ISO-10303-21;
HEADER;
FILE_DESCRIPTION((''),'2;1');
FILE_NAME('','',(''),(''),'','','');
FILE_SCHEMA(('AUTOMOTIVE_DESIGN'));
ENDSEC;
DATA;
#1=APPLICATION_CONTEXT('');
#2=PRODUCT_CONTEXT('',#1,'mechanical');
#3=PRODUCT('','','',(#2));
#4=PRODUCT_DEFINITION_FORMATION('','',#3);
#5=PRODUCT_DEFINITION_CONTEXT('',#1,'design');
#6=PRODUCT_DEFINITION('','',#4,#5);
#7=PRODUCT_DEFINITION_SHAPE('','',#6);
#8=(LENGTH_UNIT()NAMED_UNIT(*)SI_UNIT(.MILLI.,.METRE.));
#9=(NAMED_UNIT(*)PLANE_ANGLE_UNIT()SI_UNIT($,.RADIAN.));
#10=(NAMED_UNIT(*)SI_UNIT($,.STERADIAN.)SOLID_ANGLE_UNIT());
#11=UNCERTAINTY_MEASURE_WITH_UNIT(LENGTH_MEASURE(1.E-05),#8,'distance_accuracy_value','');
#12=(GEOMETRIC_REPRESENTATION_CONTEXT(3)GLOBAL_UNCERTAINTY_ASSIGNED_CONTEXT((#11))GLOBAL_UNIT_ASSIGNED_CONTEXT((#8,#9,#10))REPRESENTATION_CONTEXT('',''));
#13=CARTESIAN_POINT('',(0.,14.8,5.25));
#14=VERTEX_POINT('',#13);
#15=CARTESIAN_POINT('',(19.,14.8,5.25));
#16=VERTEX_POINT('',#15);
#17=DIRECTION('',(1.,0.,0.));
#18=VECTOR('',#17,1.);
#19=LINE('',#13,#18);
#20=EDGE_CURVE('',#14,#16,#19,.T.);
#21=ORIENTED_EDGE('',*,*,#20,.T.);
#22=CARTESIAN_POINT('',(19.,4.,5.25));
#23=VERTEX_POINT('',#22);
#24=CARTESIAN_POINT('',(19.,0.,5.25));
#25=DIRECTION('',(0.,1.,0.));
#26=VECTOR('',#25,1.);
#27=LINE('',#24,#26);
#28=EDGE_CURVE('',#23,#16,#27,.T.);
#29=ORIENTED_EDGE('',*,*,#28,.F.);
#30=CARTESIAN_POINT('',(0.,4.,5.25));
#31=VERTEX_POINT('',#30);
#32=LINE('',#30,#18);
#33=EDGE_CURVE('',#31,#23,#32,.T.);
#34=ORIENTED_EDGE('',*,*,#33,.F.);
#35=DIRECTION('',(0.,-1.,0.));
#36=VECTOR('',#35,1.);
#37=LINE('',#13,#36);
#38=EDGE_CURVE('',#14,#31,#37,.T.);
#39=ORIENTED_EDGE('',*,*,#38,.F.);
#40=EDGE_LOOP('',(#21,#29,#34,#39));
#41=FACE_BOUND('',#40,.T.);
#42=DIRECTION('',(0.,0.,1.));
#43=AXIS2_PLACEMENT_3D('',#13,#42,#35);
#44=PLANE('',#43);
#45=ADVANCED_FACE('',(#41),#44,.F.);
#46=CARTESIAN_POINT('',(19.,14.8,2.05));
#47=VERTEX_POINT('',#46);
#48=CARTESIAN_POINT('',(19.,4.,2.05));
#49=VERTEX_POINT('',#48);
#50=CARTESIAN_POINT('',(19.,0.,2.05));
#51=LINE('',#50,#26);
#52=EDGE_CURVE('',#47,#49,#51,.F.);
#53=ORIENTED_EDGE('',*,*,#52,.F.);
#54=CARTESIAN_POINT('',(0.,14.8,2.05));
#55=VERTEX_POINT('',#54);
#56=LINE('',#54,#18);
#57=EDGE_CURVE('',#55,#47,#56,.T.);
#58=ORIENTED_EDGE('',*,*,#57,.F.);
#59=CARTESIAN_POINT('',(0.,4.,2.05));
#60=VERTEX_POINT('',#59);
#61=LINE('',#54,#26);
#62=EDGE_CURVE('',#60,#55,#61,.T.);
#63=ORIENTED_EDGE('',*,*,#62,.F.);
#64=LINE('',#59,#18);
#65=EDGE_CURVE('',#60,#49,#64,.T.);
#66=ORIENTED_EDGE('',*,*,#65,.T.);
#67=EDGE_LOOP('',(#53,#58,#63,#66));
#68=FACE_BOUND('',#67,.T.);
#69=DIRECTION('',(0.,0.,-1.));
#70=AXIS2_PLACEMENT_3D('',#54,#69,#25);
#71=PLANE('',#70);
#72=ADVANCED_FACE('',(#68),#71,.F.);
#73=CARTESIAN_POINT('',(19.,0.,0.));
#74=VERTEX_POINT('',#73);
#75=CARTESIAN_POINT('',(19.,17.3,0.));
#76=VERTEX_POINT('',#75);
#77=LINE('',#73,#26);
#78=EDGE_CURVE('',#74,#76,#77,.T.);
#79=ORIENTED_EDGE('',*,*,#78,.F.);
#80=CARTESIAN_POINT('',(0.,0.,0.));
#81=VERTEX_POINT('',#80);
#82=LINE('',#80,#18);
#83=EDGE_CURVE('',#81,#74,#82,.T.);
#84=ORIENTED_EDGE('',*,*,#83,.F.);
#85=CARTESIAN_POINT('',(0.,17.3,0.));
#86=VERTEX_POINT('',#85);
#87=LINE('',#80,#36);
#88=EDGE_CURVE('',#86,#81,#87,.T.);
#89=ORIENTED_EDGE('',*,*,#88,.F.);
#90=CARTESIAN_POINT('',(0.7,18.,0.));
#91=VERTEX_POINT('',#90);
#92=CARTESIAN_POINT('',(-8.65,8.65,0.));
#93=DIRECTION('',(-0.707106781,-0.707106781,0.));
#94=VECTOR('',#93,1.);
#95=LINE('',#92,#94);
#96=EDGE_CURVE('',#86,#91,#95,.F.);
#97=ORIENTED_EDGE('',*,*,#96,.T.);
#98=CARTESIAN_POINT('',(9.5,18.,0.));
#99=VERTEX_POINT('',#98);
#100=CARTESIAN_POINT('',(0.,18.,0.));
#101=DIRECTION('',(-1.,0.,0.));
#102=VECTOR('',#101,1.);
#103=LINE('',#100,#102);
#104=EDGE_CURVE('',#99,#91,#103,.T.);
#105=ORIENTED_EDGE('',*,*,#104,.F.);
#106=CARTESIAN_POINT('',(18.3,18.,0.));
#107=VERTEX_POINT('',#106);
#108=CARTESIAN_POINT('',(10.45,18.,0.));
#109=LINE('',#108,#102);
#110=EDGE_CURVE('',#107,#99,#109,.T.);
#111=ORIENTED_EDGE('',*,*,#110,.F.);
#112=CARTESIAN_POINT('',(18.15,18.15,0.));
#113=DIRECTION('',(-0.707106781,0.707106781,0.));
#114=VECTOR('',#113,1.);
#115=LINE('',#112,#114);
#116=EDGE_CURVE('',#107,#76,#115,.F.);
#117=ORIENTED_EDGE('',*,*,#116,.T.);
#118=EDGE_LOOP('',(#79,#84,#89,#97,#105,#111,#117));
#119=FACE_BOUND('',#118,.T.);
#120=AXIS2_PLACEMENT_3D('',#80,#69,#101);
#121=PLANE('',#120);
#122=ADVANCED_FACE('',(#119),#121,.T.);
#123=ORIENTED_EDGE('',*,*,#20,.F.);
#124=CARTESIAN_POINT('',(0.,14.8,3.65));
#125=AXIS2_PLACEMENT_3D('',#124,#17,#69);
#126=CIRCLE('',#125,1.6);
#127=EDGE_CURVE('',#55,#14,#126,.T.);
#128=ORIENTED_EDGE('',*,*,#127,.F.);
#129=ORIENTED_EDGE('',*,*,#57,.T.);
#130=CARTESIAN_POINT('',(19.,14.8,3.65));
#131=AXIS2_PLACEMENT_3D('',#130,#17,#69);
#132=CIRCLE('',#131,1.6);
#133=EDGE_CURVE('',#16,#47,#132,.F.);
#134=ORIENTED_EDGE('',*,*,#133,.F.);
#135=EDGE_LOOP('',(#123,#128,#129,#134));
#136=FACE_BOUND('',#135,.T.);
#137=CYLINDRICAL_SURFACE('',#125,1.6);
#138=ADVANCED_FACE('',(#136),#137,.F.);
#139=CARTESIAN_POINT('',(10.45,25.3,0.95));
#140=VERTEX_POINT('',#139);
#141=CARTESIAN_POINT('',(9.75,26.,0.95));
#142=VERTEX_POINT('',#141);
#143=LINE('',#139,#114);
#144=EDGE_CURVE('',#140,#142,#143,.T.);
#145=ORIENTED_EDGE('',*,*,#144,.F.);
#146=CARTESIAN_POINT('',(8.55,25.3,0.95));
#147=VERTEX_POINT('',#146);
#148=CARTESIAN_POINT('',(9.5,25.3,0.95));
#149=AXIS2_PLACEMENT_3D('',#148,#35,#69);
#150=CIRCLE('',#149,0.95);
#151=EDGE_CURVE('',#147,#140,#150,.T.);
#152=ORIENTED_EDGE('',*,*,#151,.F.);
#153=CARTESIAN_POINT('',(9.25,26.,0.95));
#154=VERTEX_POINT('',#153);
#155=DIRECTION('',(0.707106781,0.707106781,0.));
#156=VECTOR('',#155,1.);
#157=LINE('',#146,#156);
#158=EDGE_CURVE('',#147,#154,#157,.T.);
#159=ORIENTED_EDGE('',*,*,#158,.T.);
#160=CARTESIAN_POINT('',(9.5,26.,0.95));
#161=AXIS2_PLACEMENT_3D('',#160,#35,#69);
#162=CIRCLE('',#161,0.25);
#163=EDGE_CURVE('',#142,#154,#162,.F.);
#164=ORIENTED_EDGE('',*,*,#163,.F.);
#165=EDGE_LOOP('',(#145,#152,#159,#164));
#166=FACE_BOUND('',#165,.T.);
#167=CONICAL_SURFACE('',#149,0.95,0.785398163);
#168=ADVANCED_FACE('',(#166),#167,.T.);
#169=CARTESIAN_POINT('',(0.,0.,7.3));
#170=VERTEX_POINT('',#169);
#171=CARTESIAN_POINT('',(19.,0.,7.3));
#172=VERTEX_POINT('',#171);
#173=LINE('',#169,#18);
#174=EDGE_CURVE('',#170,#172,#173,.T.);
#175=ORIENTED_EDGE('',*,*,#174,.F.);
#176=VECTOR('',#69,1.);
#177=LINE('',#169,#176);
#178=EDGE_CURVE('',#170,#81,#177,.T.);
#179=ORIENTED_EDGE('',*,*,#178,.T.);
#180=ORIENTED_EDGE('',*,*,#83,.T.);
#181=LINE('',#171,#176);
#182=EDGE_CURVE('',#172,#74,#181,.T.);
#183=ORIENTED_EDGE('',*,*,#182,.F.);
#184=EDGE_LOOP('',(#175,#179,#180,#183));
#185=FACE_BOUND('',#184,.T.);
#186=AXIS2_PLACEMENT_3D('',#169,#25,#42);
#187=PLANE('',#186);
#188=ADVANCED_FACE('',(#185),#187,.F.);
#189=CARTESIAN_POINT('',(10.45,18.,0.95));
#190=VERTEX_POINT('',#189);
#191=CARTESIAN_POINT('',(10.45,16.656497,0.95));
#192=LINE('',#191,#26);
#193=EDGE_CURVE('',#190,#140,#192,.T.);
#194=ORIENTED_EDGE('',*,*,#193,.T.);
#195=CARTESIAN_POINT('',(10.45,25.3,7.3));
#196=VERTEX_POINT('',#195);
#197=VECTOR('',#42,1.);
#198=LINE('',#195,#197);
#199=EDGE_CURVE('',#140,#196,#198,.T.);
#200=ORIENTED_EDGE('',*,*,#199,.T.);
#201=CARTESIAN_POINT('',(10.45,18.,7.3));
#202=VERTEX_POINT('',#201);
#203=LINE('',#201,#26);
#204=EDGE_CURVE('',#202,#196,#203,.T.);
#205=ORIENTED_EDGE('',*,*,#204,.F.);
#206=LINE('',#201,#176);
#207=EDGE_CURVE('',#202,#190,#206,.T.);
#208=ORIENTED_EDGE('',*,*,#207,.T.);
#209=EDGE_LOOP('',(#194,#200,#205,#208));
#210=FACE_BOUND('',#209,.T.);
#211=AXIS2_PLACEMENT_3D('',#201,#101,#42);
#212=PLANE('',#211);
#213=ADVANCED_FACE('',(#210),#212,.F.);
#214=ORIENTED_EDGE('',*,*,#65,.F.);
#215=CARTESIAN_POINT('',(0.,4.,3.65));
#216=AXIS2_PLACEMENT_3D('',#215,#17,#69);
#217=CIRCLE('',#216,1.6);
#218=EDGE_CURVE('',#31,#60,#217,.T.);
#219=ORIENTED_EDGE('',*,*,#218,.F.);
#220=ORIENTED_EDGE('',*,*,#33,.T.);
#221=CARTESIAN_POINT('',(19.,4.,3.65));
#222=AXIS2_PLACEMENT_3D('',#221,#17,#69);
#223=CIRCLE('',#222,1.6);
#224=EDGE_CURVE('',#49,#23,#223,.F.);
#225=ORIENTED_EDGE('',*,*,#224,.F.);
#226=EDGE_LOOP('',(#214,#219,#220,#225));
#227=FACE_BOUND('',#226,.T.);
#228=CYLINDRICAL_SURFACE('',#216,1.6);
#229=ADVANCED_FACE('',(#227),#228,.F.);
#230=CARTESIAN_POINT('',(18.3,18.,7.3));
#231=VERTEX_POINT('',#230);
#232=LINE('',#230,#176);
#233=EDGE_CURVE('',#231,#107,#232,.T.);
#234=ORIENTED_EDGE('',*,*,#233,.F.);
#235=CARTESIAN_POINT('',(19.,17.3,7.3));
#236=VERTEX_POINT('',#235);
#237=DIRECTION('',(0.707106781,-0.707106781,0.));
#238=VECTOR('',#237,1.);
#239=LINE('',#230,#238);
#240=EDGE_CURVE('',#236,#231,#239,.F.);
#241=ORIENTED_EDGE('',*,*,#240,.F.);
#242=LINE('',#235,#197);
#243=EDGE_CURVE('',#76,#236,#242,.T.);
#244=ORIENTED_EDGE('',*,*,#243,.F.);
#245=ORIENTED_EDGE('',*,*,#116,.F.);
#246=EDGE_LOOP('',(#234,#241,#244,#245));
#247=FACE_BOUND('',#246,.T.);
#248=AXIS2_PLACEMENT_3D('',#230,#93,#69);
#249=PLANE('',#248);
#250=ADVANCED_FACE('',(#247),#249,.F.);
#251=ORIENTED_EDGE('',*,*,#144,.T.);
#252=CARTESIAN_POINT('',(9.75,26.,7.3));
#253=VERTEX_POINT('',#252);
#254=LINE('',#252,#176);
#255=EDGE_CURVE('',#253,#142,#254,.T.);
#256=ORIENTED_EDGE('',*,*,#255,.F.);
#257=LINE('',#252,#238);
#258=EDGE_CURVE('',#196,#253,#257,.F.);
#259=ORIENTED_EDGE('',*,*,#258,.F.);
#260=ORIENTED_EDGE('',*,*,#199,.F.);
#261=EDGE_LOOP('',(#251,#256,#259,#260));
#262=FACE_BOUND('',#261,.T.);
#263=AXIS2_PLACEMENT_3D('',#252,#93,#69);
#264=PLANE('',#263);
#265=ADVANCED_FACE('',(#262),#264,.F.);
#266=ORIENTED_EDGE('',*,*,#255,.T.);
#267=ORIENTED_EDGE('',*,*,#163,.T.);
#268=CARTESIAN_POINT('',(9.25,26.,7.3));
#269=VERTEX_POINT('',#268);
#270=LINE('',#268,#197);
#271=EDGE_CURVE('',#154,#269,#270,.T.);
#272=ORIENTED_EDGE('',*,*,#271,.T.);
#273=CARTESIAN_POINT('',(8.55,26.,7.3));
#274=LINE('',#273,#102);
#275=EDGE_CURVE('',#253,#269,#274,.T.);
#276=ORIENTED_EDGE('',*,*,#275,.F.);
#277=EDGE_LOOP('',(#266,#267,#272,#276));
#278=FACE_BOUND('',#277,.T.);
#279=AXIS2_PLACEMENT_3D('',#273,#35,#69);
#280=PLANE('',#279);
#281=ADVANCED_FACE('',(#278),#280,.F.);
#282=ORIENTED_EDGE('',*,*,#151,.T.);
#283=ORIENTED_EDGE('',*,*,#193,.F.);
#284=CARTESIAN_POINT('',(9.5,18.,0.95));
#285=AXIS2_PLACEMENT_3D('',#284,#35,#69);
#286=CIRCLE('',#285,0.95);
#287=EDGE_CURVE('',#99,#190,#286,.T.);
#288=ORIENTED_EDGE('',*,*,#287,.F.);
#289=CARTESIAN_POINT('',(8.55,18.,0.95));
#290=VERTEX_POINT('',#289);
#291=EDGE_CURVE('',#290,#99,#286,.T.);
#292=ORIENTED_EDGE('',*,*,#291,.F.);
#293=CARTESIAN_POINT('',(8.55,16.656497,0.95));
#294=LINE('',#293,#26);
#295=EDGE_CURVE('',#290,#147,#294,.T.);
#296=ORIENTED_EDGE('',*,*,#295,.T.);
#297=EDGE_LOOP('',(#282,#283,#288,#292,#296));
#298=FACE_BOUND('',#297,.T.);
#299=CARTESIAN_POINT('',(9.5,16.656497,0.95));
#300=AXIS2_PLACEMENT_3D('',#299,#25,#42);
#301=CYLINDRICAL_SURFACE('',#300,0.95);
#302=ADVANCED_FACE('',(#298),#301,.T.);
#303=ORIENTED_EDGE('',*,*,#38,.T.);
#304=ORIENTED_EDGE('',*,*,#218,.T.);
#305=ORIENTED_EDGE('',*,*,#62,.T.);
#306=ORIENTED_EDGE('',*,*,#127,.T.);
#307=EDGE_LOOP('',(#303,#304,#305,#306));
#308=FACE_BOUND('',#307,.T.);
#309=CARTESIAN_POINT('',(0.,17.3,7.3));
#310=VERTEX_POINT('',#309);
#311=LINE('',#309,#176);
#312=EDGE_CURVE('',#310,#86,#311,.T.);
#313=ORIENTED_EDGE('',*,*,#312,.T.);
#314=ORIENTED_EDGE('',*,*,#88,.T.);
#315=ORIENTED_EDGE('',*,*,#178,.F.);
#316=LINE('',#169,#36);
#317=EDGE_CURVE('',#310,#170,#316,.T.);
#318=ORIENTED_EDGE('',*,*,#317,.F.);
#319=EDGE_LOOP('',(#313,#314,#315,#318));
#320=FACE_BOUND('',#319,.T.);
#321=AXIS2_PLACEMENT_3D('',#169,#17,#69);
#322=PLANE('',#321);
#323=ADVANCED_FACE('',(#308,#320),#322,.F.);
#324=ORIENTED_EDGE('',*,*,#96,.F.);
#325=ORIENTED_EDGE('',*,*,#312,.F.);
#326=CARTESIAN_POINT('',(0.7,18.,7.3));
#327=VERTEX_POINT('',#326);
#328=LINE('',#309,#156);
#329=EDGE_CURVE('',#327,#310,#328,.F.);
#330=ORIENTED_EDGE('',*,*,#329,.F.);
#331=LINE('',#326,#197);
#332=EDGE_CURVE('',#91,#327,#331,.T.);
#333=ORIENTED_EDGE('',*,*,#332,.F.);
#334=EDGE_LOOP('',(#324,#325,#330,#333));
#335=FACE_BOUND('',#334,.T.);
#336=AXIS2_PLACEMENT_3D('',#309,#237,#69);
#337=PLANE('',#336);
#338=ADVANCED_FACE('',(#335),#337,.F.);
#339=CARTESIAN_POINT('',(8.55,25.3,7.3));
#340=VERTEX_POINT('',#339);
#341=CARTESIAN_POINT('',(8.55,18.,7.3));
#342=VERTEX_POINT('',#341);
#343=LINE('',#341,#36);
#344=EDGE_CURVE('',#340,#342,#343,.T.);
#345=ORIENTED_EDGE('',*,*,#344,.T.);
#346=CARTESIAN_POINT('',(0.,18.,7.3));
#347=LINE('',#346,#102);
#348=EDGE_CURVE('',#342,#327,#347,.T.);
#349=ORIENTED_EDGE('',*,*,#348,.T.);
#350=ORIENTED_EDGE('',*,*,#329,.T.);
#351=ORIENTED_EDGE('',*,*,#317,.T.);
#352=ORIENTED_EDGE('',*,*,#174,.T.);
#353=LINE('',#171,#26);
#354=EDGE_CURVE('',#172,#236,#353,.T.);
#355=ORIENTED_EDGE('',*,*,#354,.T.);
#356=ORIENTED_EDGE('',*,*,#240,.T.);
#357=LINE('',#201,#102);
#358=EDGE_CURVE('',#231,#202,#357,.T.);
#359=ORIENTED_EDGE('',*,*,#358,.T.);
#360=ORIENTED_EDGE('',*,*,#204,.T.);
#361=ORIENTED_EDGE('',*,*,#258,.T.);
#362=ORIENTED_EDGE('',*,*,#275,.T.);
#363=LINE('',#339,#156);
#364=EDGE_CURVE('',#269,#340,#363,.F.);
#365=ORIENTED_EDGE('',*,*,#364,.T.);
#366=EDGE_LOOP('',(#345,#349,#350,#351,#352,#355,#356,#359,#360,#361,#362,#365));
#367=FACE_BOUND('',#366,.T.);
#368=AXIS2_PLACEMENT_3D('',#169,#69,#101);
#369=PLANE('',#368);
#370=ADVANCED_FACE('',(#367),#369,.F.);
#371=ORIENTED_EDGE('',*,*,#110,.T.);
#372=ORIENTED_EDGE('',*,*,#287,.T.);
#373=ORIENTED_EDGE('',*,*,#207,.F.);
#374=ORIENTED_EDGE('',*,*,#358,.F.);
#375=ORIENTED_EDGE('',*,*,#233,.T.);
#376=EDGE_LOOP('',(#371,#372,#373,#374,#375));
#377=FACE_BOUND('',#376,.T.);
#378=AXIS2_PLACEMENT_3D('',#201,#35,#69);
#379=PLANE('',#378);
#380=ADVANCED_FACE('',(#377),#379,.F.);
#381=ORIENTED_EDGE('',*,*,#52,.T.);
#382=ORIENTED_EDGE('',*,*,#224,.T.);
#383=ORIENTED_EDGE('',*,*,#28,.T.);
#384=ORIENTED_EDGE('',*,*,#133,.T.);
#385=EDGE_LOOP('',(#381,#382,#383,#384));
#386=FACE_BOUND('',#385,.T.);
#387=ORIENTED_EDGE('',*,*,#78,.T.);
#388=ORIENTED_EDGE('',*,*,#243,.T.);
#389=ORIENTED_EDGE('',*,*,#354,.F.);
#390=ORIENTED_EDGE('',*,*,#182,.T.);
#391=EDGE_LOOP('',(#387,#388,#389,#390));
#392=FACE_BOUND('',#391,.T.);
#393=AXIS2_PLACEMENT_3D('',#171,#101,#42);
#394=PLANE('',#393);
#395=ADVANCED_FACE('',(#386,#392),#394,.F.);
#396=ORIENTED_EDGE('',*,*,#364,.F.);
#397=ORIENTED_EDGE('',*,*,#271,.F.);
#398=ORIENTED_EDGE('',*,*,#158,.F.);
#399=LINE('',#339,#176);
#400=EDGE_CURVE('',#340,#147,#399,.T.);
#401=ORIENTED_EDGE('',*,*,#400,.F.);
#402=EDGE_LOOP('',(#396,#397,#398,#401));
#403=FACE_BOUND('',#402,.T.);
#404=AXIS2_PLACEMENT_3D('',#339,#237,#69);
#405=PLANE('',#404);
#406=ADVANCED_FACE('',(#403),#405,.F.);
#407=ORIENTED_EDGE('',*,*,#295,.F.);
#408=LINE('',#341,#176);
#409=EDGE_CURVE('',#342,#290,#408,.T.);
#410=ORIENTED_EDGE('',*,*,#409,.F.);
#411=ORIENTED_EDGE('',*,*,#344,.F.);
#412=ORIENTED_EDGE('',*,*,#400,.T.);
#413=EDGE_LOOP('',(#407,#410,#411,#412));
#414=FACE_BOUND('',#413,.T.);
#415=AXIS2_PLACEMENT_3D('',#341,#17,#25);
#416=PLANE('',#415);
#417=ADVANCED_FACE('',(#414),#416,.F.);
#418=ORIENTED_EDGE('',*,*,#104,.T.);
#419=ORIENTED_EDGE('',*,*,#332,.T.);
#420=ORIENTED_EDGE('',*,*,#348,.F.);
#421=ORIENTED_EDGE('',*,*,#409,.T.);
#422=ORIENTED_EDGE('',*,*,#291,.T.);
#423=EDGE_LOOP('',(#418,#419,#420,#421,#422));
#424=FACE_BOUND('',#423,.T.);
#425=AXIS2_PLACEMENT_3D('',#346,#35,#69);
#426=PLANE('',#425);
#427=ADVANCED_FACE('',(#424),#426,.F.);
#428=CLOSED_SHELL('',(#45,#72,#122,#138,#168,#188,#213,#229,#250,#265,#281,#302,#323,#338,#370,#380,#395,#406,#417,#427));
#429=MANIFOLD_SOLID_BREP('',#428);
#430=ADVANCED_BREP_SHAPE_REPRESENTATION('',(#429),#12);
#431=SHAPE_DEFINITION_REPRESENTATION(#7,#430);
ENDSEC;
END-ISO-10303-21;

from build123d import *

# Parameters (mm, degrees)
BOSS_EXTRUDE1_DEPTH     = 7.3
CUT_EXTRUDE1_DEPTH      = 8
CUT_EXTRUDE2_DEPTH      = 8
CUT_EXTRUDE3_DEPTH      = 34.01953967
CUT_EXTRUDE3_DEPTH_BACK = 34.01953967
CHAMFER1_SIZE           = 0.7


with BuildPart() as part:
    # Sketch1 → Boss-Extrude1 (new body)
    with BuildSketch(Plane.XY):
        Polygon((0, 0), (19, 0), (19, 18), (10.45, 18), (10.45, 26), (8.55, 26), (8.55, 18), (0, 18), align=None)
    extrude(amount=BOSS_EXTRUDE1_DEPTH)

    # Sketch2 → Cut-Extrude1 (cut)
    with BuildSketch(Plane(origin=(0, 26, 0), x_dir=(1, 0, 0), z_dir=(0, 1, 0))):
        with BuildLine():
            Line((8.55, -0.95), (8.55, 0))
            Line((8.55, 0), (9.5, 0))
            ThreePointArc((9.5, 0), (8.828248558, -0.278248558), (8.55, -0.95))
        make_face()
    extrude(amount=-CUT_EXTRUDE1_DEPTH, mode=Mode.SUBTRACT)

    # Sketch3 → Cut-Extrude2 (cut)
    with BuildSketch(Plane(origin=(0, 26, 0), x_dir=(1, 0, 0), z_dir=(0, 1, 0))):
        with BuildLine():
            Line((9.5, 0), (10.45, 0))
            Line((10.45, 0), (10.45, -0.95))
            ThreePointArc((10.45, -0.95), (10.171751442, -0.278248558), (9.5, 0))
        make_face()
    extrude(amount=-CUT_EXTRUDE2_DEPTH, mode=Mode.SUBTRACT)

    # Sketch4 → Cut-Extrude3 (cut, two sides: drawn at the far end of the back side and taken through both)
    with BuildSketch(Plane(origin=(19, 0, 0), x_dir=(0, 0, -1), z_dir=(1, 0, 0)).offset(-CUT_EXTRUDE3_DEPTH_BACK)):
        with BuildLine():
            Line((-5.25, 14.8), (-5.25, 4))
            ThreePointArc((-5.25, 4), (-3.65, 2.4), (-2.05, 4))
            Line((-2.05, 4), (-2.05, 14.8))
            ThreePointArc((-2.05, 14.8), (-3.65, 16.4), (-5.25, 14.8))
        make_face()
    extrude(amount=CUT_EXTRUDE3_DEPTH + CUT_EXTRUDE3_DEPTH_BACK, mode=Mode.SUBTRACT)

    # Chamfer1
    chamfer1_edges = [part.edges().sort_by_distance(p)[0] for p in [
        (0, 18, 3.65),
        (8.55, 26, 4.125),
        (10.45, 26, 4.125),
        (19, 18, 3.65),
        (9.5, 26, 0),
    ]]
    chamfer(chamfer1_edges, length=CHAMFER1_SIZE)


solid = part.part
